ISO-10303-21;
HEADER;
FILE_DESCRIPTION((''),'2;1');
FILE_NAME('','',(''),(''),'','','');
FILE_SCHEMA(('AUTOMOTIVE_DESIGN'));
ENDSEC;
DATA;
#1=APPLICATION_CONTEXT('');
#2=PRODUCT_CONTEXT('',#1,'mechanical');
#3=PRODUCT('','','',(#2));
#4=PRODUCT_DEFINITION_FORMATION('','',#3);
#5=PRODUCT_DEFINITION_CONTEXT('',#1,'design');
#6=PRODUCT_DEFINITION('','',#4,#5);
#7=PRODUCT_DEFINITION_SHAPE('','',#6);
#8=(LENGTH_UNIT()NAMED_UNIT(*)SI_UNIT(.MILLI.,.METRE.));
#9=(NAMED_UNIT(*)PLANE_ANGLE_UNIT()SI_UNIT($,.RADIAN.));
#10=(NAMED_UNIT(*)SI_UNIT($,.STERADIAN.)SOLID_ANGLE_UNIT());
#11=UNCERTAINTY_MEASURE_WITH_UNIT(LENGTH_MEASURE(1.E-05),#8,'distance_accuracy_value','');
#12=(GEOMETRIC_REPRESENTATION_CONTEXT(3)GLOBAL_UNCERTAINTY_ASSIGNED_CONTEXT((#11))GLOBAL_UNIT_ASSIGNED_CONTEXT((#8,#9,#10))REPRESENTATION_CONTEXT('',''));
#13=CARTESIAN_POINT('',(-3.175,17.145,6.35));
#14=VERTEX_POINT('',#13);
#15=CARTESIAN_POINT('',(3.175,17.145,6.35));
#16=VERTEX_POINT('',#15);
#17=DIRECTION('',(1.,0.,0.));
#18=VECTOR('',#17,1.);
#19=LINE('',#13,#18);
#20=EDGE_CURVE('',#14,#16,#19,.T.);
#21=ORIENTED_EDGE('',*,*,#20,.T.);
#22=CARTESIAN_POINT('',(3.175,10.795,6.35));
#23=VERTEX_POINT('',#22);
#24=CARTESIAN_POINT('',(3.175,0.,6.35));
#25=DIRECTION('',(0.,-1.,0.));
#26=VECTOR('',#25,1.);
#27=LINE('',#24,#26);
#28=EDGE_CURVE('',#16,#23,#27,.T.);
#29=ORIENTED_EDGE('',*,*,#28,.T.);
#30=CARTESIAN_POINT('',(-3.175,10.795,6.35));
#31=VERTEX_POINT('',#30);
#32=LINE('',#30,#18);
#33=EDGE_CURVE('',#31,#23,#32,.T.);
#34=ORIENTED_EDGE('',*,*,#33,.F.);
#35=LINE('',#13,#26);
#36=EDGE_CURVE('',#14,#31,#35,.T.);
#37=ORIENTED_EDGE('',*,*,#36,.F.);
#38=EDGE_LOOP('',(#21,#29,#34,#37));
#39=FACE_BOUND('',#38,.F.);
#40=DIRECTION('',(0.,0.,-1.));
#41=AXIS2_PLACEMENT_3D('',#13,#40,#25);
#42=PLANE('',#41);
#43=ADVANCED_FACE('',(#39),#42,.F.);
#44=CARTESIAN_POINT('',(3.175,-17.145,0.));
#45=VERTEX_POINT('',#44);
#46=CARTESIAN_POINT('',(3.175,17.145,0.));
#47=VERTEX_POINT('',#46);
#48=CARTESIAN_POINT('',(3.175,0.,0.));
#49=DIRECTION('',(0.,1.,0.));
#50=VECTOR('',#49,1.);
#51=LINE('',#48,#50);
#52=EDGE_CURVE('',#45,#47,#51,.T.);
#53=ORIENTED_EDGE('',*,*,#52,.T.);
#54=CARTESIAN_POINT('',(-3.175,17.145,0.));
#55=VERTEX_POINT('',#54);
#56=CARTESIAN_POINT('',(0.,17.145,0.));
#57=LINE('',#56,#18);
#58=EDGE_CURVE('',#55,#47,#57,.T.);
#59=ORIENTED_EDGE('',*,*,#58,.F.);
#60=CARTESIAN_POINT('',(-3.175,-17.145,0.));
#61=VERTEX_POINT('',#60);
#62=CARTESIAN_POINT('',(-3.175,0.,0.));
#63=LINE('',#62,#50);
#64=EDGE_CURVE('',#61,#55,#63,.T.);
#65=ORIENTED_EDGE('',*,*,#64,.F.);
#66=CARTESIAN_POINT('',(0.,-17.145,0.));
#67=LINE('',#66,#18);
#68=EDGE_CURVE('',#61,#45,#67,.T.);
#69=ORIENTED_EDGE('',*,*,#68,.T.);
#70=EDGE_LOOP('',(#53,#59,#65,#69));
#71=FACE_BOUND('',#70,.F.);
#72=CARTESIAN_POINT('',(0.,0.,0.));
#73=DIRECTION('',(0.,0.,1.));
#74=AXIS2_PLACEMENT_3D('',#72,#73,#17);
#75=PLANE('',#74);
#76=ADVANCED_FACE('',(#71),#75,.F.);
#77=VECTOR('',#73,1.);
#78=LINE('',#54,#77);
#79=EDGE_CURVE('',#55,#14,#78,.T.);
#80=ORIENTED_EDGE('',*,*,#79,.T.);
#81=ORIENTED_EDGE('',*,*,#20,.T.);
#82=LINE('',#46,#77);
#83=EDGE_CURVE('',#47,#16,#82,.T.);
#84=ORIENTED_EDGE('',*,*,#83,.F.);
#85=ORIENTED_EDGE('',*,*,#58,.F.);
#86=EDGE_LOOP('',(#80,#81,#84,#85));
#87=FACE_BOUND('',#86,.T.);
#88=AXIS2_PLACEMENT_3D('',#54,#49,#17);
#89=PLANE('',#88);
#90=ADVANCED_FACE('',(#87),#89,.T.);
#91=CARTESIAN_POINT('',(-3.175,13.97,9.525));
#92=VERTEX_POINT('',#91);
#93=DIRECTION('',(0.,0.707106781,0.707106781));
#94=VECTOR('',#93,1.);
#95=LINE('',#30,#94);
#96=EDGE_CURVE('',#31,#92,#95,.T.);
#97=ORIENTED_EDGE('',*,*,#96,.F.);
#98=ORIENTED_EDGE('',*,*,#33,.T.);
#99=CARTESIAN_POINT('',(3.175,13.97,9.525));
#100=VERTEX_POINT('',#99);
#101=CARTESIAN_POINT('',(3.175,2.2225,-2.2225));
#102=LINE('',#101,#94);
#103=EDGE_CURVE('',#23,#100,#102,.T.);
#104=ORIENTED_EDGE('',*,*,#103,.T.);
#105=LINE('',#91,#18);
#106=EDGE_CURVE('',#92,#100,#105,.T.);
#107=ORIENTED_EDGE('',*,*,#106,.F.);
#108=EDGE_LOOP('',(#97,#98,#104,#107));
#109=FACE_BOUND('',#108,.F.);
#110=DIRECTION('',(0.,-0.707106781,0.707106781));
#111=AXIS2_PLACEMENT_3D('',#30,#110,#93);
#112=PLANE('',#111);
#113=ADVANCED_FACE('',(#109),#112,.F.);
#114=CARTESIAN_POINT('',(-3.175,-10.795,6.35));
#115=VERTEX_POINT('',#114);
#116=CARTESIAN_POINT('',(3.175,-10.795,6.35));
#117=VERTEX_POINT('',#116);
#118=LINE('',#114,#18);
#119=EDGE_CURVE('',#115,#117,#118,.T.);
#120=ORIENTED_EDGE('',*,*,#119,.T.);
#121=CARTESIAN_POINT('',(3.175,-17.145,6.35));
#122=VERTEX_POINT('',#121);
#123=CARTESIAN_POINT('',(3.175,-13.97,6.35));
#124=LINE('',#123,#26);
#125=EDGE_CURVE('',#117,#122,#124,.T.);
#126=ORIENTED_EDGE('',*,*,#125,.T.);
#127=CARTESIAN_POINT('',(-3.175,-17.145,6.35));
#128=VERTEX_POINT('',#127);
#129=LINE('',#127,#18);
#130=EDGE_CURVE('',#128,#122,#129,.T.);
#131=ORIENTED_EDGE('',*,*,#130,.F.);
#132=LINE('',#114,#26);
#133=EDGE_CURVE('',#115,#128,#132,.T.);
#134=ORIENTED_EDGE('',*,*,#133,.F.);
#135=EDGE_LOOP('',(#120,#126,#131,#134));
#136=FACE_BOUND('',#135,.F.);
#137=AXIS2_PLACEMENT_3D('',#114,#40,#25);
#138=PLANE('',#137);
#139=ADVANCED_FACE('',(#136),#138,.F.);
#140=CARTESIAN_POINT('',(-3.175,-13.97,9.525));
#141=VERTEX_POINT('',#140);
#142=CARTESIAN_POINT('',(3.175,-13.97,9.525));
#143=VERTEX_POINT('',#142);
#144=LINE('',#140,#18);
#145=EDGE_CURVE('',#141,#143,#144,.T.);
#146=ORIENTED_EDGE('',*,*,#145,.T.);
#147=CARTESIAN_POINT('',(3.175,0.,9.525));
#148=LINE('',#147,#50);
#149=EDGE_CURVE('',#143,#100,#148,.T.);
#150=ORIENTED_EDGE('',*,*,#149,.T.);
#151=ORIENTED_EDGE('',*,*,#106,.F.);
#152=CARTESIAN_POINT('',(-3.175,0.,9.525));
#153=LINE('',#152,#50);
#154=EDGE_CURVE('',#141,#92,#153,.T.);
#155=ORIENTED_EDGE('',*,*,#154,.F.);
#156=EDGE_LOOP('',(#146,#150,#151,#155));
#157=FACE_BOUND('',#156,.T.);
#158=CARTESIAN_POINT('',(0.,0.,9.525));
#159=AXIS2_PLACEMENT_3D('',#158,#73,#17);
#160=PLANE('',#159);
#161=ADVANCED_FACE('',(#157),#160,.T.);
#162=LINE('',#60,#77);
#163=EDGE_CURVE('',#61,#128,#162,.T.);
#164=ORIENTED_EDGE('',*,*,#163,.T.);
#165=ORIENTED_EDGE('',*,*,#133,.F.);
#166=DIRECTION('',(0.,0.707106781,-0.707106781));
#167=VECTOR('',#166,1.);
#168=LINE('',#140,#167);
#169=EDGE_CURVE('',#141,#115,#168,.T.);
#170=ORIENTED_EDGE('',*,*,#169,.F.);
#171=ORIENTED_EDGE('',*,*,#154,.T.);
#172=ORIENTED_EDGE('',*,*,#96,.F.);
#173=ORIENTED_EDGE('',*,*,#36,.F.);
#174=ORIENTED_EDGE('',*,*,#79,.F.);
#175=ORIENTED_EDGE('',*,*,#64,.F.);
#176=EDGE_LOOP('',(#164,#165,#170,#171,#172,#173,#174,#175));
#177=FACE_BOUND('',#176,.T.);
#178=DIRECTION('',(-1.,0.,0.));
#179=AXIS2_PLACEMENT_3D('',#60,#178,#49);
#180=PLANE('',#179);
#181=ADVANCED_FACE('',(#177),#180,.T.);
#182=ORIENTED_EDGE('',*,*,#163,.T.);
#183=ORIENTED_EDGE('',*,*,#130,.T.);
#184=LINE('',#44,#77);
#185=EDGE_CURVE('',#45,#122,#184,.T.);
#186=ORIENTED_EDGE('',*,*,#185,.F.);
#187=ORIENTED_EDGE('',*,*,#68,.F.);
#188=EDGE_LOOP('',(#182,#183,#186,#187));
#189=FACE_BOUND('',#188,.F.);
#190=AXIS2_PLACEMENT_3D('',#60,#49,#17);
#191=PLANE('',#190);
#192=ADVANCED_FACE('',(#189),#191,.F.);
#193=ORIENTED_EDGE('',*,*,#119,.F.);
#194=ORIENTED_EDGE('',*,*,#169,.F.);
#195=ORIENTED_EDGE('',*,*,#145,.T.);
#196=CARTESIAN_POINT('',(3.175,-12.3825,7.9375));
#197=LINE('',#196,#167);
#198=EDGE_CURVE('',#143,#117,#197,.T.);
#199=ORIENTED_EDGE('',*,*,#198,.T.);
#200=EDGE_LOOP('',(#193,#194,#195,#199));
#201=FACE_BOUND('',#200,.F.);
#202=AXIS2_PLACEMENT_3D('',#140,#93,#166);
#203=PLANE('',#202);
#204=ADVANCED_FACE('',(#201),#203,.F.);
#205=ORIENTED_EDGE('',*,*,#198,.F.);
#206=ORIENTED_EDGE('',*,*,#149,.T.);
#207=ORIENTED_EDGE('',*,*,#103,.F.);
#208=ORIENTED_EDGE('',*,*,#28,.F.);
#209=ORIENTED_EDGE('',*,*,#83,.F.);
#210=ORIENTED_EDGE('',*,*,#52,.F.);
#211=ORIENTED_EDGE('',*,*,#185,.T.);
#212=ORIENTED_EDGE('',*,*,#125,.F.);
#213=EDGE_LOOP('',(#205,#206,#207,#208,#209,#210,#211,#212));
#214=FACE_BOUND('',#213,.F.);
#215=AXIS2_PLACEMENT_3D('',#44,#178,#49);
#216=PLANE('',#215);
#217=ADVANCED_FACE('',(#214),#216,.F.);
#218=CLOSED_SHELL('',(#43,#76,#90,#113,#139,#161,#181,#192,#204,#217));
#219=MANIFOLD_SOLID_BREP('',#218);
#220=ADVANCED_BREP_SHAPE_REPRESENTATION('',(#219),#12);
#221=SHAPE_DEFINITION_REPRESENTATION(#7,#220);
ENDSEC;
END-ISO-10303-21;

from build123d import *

# Parameters (mm, degrees)
F0_W     = 6.35
F0_H     = 34.29
F1_DEPTH = 9.525
F3_DEPTH = 6.351


with BuildPart() as f1:
    # F0 (on Top) → F1 (new body)
    with BuildSketch(Plane.XY):
        Rectangle(F0_W, F0_H)
    extrude(amount=F1_DEPTH)

    # F2 (on face) → F3 (cut, through all)
    with BuildSketch(Plane(origin=(-3.175, 0, 0), x_dir=(0, -1, 0), z_dir=(-1, 0, 0))):
        Polygon((-17.145, 9.525), (-17.145, 6.35), (-10.795, 6.35), (-13.97, 9.525), align=None)
        Polygon((17.145, 9.525), (13.97, 9.525), (10.795, 6.35), (17.145, 6.35), align=None)
    extrude(amount=-F3_DEPTH, mode=Mode.SUBTRACT)


solid = f1.part
